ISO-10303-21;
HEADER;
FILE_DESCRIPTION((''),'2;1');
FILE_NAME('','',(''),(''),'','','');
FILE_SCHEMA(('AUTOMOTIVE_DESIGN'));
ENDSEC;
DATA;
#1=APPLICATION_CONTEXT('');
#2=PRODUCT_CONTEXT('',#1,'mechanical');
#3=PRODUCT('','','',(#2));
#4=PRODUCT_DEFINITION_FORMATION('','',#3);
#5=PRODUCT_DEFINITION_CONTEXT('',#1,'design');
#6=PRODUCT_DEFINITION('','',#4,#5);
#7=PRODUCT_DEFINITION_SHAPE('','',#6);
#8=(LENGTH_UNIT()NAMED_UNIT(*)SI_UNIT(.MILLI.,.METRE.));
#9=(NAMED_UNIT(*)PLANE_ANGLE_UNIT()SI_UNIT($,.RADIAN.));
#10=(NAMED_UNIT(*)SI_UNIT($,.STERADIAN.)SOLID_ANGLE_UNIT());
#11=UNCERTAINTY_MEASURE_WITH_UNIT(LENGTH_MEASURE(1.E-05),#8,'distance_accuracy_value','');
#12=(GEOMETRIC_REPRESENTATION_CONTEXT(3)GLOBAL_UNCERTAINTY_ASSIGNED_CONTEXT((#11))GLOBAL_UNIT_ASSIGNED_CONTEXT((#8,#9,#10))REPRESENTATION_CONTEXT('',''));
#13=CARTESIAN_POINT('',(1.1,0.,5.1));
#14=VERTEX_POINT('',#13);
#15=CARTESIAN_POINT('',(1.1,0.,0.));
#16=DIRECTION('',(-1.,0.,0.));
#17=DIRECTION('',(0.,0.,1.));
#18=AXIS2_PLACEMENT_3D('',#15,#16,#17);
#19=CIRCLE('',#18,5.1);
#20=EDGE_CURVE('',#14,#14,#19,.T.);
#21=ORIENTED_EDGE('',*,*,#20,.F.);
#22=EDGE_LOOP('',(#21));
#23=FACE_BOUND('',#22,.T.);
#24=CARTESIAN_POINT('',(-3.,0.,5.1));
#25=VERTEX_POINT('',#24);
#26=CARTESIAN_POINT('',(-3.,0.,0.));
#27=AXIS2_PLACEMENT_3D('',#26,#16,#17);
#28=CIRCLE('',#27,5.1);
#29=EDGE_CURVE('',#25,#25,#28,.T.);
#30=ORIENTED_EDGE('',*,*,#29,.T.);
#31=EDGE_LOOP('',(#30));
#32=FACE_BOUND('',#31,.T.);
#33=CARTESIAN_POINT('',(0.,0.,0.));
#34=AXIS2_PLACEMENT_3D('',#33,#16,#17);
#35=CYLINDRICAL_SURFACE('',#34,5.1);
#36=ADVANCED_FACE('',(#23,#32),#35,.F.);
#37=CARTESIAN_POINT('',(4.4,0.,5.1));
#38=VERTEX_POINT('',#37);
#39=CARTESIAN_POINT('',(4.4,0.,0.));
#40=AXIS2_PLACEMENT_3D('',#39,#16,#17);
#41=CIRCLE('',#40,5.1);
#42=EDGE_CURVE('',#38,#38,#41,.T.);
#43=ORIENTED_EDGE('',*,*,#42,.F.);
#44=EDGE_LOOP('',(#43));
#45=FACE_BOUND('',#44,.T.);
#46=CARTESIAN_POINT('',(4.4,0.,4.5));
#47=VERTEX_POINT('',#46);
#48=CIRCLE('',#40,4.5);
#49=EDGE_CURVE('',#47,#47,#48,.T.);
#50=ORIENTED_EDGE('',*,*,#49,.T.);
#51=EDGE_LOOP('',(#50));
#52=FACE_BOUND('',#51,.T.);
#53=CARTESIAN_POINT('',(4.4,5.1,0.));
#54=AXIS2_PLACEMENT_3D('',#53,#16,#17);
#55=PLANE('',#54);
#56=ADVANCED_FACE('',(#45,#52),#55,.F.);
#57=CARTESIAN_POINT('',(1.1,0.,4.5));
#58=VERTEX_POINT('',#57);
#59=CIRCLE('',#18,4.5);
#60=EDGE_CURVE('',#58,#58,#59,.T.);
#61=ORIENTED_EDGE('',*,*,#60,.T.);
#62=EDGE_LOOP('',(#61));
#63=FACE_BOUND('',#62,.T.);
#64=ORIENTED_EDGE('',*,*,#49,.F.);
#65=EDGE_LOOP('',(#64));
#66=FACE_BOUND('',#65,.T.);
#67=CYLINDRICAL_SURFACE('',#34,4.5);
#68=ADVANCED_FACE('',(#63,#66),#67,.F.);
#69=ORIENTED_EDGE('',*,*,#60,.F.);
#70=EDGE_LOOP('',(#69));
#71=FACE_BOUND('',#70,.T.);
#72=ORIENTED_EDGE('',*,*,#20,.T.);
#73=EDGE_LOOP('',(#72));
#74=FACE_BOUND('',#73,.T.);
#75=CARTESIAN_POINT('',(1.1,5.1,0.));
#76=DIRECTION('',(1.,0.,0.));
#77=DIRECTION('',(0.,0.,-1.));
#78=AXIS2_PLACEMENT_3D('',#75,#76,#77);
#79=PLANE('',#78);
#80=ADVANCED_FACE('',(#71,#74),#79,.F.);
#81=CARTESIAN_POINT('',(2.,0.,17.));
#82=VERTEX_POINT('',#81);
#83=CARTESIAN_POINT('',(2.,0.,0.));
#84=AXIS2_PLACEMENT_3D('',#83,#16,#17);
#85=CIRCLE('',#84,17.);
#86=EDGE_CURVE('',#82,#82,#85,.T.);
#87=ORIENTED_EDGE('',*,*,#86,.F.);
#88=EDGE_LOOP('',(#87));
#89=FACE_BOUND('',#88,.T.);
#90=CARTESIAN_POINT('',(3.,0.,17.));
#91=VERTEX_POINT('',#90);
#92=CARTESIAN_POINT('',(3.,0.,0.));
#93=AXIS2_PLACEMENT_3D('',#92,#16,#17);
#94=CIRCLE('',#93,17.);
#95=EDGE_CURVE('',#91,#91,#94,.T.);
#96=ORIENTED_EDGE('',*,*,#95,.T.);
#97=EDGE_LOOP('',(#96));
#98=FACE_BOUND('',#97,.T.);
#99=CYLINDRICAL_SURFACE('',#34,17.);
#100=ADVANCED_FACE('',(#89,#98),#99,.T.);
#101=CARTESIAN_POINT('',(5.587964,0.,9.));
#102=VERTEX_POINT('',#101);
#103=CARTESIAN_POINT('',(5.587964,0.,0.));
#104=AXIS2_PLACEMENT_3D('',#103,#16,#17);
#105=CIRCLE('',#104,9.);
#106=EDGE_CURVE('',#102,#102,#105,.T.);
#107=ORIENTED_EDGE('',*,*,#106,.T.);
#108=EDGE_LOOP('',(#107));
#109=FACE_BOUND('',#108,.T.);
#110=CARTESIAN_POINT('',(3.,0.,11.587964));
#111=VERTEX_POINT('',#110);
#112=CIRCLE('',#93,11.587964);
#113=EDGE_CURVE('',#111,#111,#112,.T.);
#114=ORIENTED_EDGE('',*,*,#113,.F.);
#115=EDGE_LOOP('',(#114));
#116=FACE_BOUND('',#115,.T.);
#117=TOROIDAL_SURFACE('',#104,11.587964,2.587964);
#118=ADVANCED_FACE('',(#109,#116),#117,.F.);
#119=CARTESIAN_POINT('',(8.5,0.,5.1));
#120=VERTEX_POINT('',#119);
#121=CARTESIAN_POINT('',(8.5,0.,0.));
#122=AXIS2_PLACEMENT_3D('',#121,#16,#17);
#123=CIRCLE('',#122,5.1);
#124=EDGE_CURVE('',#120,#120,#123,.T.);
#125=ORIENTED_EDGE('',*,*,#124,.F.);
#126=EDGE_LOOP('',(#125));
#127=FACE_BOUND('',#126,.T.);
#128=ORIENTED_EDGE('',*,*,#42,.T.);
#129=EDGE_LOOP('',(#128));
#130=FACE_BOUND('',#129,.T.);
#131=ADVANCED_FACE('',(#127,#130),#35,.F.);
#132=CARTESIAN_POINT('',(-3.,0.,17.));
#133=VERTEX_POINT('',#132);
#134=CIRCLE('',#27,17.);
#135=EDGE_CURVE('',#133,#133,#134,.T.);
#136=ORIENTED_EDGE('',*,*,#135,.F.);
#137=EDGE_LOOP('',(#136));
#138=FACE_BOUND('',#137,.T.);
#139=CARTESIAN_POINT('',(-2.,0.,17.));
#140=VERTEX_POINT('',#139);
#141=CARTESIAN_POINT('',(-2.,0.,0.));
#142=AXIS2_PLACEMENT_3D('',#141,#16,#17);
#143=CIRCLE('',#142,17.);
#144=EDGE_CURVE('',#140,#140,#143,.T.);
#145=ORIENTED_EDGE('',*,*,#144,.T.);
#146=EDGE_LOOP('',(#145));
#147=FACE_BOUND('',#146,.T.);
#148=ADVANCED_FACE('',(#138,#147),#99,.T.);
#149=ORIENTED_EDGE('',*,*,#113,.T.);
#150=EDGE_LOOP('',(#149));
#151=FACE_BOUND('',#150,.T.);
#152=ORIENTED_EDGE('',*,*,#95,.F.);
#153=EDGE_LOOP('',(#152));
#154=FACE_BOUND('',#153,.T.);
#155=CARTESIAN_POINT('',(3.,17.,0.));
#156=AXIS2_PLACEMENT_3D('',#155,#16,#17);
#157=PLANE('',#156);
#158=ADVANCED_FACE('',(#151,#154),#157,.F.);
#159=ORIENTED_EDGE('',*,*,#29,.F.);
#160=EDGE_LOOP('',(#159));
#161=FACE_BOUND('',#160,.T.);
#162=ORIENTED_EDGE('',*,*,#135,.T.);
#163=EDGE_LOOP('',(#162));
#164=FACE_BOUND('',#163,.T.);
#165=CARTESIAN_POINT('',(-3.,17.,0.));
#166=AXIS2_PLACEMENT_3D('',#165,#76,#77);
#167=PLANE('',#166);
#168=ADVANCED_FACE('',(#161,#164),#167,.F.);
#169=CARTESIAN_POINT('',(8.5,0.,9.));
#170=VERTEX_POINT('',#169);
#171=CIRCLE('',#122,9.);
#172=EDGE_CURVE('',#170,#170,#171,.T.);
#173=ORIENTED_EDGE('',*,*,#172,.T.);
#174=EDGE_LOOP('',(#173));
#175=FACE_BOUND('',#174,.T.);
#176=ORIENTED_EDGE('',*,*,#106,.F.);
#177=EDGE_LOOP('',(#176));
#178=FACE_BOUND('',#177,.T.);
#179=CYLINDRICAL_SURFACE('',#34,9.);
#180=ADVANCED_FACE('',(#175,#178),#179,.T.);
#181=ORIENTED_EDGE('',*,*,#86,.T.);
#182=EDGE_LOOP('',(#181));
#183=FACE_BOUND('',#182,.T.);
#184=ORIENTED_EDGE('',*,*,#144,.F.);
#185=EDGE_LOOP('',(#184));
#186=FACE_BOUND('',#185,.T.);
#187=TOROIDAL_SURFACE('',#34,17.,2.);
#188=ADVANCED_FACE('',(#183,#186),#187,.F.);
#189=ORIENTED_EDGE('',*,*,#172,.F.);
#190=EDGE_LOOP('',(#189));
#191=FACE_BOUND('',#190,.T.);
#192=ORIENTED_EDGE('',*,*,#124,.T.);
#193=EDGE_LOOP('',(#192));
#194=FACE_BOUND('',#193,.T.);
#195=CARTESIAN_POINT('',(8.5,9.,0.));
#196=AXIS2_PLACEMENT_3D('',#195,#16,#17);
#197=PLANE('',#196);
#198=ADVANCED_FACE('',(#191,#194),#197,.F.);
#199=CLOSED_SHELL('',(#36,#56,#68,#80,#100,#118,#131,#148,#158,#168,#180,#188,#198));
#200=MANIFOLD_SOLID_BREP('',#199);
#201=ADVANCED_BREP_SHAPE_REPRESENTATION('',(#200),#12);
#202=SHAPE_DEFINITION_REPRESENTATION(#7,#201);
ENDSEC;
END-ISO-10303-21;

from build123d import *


with BuildPart() as part:
    # 草图1 → 旋转1 (revolve)
    with BuildSketch(Plane.XY):
        with BuildLine():
            Line((2, 17), (3, 17))
            Line((3, 17), (3, 11.587964483))
            ThreePointArc((3, 11.587964483), (3.757997248, 9.757997248), (5.587964483, 9))
            Line((5.587964483, 9), (8.5, 9))
            Line((8.5, 9), (8.5, 5.1))
            Line((8.5, 5.1), (4.4, 5.1))
            Line((4.4, 5.1), (4.4, 4.5))
            Line((4.4, 4.5), (1.1, 4.5))
            Line((1.1, 4.5), (1.1, 5.1))
            Line((1.1, 5.1), (-3, 5.1))
            Line((-3, 5.1), (-3, 17))
            Line((-3, 17), (-2, 17))
            ThreePointArc((-2, 17), (0, 15), (2, 17))
        make_face()
    revolve(axis=Axis((0, 0, 0), (1, 0, 0)))


solid = part.part
